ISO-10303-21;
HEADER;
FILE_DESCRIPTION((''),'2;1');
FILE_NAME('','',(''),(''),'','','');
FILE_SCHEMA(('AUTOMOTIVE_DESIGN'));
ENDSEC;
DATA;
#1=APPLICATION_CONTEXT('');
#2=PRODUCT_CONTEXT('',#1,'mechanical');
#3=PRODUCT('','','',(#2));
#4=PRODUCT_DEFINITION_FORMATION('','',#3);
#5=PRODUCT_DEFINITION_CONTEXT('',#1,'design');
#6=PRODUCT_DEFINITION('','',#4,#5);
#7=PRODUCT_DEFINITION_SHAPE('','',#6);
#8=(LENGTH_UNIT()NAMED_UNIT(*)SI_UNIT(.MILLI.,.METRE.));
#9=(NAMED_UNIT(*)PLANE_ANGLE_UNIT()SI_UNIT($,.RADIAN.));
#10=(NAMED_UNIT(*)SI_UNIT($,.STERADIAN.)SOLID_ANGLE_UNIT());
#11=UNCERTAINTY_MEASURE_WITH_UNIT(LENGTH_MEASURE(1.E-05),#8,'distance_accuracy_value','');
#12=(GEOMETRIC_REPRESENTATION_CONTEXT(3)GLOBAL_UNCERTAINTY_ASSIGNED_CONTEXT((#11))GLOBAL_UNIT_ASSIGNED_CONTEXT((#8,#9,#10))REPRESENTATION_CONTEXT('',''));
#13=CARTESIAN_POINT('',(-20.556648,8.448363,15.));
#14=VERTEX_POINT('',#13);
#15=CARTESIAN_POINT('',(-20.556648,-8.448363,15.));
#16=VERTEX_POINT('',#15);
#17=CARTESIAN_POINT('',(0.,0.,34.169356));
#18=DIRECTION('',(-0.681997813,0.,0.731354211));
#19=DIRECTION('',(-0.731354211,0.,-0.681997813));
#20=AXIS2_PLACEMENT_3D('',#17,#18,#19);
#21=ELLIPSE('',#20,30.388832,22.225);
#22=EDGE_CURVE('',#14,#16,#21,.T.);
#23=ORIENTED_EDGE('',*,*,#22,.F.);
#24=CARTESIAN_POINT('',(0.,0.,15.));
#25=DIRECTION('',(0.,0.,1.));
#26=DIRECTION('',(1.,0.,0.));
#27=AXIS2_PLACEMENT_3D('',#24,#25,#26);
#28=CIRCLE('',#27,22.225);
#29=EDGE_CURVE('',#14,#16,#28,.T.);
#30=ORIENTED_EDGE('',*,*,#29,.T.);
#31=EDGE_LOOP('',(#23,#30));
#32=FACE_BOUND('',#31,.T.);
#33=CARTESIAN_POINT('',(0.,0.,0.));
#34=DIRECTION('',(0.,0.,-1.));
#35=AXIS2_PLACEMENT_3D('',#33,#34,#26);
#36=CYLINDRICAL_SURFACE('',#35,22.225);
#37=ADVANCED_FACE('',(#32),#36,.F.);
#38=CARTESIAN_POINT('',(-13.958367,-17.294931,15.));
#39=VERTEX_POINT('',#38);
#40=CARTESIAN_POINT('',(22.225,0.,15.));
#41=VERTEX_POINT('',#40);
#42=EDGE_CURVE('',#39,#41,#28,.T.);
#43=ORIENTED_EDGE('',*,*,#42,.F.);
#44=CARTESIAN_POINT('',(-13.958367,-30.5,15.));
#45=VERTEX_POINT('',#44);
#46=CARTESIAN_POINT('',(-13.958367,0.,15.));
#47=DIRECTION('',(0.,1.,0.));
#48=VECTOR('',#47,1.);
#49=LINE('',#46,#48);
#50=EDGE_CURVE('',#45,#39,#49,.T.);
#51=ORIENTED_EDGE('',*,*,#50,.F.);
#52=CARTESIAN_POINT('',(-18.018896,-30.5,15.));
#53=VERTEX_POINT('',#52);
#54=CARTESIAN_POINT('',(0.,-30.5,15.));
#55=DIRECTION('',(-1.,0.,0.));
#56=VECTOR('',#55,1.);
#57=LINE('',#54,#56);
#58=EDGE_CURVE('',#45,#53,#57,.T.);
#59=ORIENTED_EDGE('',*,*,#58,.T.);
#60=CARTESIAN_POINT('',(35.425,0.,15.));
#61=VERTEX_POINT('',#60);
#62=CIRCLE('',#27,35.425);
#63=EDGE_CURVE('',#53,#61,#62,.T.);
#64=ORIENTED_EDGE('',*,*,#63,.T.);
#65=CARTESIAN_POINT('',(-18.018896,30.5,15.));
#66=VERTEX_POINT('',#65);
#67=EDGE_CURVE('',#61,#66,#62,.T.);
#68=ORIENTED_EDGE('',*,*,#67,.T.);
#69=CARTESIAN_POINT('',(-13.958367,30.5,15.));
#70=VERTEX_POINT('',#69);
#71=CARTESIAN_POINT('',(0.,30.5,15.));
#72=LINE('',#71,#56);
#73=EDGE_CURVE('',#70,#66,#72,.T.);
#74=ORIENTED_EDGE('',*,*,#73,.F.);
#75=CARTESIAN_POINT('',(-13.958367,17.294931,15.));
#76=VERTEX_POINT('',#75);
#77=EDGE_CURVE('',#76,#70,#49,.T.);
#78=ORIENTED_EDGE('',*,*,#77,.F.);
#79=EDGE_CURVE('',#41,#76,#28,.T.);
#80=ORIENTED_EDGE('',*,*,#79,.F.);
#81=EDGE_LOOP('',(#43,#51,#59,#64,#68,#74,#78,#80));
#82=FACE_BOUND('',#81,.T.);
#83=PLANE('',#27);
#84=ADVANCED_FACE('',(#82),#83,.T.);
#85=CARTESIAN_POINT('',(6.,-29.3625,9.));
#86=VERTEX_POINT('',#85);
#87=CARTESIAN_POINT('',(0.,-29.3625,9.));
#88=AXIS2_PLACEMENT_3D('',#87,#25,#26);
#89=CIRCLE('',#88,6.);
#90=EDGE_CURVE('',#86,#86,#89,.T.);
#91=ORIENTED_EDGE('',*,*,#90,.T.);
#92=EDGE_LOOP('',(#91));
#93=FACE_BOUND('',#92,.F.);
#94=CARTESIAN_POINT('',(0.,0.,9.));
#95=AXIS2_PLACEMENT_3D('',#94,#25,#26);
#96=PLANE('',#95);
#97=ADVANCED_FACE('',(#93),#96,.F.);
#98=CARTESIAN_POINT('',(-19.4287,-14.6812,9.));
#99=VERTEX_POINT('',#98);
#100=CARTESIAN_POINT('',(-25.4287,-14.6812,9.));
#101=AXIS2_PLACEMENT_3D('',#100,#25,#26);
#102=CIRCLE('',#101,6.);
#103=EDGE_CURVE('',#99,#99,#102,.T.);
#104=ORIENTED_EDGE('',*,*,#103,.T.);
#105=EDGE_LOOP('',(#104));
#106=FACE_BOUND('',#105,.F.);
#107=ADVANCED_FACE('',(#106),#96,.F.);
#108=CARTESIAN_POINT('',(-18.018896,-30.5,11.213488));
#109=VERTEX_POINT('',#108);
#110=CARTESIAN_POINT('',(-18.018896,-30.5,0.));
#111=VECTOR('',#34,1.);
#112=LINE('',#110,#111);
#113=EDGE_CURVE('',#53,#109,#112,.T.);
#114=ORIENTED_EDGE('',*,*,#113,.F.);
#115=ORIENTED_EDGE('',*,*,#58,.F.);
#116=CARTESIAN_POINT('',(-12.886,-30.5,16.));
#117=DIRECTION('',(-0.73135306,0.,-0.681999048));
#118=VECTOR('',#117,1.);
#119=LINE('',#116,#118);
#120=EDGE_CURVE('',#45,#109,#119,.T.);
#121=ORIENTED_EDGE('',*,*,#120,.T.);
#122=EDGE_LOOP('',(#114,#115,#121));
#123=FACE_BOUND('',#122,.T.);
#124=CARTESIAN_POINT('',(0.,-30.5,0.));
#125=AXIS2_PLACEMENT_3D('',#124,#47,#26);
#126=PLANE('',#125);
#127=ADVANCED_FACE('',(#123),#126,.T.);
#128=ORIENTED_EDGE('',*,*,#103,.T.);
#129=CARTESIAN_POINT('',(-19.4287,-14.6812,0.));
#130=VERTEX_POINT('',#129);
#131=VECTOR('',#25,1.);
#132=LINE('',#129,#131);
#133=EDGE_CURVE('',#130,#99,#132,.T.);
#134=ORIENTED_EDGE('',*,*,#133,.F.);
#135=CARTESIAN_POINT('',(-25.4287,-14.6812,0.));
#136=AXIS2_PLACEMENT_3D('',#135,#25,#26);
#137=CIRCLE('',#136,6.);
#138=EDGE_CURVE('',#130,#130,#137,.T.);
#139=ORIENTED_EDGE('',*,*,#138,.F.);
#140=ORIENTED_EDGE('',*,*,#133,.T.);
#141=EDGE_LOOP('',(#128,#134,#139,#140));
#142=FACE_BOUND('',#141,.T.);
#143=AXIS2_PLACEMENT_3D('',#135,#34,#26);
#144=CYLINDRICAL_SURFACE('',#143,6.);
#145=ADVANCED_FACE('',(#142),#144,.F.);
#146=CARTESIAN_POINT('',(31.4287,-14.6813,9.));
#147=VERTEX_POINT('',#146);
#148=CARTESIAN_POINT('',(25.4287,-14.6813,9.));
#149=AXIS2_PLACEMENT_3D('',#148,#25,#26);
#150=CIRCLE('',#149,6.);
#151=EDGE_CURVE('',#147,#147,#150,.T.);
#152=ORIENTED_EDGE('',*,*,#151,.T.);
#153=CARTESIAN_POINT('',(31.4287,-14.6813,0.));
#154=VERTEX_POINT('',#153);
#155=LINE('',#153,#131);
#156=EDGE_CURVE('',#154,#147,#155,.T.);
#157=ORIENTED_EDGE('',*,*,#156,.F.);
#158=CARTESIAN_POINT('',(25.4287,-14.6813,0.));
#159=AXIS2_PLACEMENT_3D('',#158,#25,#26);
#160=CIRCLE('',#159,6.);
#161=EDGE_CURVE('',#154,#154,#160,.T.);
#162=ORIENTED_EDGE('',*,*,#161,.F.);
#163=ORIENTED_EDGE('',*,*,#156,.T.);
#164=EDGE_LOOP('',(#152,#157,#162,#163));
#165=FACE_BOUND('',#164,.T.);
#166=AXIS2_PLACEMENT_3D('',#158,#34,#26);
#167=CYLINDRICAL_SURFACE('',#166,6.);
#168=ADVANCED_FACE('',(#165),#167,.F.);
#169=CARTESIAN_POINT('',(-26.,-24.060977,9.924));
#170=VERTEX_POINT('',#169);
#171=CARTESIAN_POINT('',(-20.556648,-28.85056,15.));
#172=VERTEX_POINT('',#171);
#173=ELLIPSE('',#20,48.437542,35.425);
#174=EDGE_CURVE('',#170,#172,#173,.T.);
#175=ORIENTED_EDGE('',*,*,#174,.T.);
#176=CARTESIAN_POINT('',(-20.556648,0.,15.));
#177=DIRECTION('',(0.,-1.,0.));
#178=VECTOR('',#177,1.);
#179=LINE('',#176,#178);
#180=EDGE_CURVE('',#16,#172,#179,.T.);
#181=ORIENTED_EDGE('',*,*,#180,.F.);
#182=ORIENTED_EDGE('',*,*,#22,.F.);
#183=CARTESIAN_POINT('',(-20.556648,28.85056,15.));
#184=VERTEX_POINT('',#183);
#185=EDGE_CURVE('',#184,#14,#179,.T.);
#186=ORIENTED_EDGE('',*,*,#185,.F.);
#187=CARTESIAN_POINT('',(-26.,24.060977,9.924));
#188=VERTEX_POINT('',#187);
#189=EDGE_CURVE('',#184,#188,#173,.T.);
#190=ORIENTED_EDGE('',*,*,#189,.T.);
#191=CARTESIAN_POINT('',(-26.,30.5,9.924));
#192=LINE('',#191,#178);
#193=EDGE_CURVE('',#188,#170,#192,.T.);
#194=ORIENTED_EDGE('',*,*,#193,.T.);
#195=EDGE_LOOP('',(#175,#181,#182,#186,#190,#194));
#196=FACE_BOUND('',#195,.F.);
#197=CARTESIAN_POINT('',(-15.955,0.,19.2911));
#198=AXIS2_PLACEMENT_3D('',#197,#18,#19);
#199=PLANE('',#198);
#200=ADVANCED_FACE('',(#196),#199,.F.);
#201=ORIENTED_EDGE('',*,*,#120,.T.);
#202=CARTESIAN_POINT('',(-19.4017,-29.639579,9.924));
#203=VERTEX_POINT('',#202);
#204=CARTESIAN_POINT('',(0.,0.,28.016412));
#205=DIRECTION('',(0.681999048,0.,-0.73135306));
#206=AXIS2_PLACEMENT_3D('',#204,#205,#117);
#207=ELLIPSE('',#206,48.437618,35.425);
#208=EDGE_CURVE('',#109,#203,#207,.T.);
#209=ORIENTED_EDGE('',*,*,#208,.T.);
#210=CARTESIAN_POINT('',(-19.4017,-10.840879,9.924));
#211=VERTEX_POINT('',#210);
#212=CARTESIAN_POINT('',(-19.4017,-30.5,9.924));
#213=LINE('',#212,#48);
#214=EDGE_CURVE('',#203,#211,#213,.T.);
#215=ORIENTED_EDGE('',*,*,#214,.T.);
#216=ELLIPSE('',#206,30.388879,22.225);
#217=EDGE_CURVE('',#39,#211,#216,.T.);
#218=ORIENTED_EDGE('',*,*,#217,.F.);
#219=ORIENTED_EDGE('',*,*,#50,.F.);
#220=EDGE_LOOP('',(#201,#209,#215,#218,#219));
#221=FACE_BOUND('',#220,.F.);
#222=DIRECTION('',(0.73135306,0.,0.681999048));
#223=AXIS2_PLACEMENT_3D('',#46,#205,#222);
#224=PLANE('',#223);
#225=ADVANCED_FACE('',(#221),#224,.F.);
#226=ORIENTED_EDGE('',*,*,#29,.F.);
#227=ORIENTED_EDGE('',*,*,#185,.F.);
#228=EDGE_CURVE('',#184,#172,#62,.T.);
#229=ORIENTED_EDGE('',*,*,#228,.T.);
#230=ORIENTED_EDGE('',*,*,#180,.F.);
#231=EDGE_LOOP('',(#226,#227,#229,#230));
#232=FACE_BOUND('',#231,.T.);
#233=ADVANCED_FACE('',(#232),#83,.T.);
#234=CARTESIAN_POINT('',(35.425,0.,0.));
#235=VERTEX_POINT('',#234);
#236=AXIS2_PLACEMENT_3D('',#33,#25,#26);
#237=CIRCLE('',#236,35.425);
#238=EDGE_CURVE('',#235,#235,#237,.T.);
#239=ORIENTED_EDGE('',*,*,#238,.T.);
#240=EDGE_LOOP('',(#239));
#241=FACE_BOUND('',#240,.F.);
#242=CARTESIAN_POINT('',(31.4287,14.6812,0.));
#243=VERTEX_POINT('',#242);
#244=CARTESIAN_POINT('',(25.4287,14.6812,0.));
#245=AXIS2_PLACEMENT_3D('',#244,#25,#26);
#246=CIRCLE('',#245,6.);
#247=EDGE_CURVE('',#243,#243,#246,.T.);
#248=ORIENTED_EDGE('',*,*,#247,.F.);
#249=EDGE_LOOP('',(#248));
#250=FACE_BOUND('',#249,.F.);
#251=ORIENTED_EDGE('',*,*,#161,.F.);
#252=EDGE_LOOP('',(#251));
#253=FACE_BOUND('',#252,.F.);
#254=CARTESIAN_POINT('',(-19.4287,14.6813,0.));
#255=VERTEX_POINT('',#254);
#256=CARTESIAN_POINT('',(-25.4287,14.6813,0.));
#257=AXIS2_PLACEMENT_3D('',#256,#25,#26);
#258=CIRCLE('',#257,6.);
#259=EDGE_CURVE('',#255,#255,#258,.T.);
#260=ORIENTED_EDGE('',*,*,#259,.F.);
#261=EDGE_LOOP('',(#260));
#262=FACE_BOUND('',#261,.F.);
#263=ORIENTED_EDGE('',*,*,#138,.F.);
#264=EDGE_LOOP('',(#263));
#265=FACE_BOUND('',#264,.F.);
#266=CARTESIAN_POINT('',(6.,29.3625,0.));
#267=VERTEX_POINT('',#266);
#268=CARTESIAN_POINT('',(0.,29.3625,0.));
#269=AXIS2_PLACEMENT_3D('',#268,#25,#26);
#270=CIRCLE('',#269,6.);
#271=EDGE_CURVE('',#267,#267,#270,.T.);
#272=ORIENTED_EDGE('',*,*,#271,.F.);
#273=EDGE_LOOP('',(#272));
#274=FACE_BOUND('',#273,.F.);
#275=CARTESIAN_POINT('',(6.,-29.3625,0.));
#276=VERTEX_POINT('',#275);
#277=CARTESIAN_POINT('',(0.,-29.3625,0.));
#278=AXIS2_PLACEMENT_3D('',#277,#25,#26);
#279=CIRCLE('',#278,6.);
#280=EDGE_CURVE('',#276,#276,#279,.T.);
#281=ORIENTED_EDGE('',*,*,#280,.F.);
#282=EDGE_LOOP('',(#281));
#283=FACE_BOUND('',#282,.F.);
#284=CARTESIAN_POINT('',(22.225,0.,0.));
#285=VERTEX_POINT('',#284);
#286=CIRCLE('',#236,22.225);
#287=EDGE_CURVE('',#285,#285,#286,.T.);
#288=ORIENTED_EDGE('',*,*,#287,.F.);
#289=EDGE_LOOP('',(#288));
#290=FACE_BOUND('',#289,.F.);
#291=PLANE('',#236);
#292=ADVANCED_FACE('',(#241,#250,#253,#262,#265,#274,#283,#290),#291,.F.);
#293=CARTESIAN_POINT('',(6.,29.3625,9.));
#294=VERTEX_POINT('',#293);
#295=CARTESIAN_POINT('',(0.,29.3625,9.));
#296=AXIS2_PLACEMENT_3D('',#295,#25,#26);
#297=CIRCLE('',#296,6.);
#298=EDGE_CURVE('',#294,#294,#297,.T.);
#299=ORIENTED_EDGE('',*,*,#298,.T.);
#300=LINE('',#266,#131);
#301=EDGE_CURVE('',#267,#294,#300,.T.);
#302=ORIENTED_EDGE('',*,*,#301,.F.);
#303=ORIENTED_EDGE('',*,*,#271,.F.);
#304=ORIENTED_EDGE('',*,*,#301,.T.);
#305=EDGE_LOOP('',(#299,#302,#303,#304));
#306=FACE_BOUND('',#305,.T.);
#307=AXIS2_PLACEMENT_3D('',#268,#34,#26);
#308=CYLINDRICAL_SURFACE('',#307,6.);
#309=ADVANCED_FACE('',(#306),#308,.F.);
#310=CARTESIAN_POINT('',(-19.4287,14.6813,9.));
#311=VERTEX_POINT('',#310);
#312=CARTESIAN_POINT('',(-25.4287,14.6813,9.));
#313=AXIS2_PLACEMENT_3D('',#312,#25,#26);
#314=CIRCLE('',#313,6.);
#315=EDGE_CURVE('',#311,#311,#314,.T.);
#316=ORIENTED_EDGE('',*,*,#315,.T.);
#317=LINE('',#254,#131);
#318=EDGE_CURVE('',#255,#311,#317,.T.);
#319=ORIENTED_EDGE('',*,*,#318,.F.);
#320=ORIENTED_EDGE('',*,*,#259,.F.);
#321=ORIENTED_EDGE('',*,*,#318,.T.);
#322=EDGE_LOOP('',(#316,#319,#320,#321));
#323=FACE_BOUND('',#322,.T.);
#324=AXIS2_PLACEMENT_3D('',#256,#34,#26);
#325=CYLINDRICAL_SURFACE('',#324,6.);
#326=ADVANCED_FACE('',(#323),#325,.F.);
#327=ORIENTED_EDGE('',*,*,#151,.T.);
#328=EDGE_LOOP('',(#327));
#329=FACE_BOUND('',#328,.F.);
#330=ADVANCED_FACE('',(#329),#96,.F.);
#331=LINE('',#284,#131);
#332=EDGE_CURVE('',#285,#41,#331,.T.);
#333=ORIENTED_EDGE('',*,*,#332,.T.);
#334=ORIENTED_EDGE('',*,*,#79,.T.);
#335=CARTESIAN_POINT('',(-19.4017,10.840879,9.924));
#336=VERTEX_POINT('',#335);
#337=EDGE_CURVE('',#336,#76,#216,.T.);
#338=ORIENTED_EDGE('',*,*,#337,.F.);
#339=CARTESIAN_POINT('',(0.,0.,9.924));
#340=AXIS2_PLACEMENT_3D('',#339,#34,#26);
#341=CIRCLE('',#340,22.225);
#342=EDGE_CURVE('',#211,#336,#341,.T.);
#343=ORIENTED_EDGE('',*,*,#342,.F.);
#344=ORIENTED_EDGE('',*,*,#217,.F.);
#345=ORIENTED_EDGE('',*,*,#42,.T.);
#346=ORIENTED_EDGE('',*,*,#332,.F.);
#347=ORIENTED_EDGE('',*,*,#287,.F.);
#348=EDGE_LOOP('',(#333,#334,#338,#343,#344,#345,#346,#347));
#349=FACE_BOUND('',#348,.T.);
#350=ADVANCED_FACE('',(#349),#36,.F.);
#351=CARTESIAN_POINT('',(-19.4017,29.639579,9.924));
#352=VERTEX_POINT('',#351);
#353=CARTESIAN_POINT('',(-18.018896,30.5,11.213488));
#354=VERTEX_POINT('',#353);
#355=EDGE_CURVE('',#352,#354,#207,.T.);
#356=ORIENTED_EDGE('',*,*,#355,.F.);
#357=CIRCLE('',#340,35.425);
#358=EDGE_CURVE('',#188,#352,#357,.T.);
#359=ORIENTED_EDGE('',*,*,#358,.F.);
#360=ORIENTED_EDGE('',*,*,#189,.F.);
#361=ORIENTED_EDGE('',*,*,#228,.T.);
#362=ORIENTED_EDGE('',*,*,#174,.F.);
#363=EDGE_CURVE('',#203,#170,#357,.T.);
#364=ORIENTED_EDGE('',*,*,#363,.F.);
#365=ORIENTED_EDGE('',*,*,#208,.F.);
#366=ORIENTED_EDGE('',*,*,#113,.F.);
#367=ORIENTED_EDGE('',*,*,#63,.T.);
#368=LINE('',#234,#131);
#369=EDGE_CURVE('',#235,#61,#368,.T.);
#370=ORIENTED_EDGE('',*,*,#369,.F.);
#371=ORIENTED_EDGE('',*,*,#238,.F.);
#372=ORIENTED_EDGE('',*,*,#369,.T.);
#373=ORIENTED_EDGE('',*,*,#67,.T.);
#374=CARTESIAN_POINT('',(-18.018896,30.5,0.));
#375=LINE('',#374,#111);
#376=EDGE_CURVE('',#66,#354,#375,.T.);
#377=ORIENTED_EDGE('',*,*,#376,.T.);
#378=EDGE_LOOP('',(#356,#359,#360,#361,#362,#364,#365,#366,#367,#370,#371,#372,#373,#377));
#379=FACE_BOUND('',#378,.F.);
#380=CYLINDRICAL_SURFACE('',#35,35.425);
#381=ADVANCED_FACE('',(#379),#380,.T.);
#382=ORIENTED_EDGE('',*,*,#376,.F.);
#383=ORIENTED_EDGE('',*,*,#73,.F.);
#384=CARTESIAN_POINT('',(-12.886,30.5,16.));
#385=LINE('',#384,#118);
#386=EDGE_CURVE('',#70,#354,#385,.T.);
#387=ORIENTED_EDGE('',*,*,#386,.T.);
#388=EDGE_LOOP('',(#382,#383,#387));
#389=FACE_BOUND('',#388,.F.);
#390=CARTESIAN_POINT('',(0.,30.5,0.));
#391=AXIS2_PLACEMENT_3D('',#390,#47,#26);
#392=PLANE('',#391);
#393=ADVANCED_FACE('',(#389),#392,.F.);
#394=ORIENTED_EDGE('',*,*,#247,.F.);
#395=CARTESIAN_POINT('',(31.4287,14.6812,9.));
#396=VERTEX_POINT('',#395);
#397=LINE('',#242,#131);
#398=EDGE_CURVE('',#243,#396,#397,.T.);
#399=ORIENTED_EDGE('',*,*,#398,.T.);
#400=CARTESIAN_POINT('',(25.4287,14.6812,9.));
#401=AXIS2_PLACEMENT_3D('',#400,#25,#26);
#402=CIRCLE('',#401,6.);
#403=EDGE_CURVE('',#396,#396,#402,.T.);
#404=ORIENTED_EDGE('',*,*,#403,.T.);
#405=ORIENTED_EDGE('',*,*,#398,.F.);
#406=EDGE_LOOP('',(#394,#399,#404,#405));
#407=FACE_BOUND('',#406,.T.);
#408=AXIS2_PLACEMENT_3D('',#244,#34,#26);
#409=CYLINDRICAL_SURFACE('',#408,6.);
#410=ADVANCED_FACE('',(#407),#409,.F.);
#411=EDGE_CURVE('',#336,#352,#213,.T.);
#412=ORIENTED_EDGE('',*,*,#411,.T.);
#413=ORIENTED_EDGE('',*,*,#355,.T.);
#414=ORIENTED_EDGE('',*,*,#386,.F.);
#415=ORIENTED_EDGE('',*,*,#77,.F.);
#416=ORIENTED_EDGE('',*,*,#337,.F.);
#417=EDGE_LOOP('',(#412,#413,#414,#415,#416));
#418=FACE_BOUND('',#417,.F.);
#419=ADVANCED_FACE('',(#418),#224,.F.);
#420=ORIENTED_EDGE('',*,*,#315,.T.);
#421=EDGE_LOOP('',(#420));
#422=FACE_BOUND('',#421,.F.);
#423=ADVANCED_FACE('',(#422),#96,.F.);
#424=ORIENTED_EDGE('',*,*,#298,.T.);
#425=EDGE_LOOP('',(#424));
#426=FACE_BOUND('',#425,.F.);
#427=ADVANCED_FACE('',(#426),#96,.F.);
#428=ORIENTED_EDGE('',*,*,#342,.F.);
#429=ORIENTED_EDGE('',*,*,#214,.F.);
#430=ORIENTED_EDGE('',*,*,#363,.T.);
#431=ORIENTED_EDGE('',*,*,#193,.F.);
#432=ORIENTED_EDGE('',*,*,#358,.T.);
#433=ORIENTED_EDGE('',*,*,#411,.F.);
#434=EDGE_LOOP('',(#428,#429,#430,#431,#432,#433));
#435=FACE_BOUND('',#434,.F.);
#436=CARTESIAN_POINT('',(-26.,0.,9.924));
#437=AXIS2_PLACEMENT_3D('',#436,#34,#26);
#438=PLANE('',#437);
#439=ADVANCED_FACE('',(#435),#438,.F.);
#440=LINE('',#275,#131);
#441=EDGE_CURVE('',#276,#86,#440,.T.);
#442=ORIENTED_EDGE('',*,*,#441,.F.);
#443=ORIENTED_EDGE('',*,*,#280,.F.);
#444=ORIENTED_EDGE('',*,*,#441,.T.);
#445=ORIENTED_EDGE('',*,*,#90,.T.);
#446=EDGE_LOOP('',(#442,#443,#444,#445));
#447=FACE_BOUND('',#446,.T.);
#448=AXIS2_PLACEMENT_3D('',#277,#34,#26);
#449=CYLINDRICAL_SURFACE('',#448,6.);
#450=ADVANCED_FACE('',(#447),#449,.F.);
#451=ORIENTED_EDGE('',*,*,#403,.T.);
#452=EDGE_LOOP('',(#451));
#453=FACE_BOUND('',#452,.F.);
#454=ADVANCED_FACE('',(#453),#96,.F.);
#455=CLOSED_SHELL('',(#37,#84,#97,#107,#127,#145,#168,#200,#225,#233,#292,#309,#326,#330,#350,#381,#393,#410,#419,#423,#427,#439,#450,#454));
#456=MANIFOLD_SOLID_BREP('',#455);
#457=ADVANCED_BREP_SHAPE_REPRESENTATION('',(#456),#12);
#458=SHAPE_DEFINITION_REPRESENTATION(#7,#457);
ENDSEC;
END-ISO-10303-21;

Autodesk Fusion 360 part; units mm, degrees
sketch "Sketch1" plane through (0, 0, 0) normal (0, 0, 1) x (1, 0, 0)
  circle A0 centre (0, 0) radius 22.225
  circle A1 centre (0, 0) radius 35.425
  circle A2 centre (0, 29.3625) radius 6
  circle A3 centre (-25.4287, 14.6813) radius 6
  circle A4 centre (-25.4287, -14.6812) radius 6
  circle A5 centre (0, -29.3625) radius 6
  circle A6 centre (25.4287, -14.6813) radius 6
  circle A7 centre (25.4287, 14.6812) radius 6
  dimension "d1" = 44.45
  dimension "d2" = 70.85
  dimension "d3" = 12
  dimension "d4" = 29.3625
  dimension "d6" = 360
extrude "Extrude1" add sketch "Sketch1" along normal blind 15 contours A1 | A2 | A3 | A4 | A5 | A6 | A7 makes body 1
extrude "Extrude2" cut sketch "Sketch1" along normal blind 9 contours A2 | A3 | A4 | A5 | A6 | A7 bodies 1
sketch "Sketch2" plane through (0, 0, 0) normal (0, 1, 0) x (1, 0, 0)
  line L0 (-15.955, -19.2911) -> (-26, -9.924)
  line L1 (-26, -9.924) -> (-19.4017, -9.924)
  line L2 (-19.4017, -9.924) -> (-12.886, -16)
  line L3 (-12.886, -16) -> (-15.955, -19.2911)
  line L4 (0, 0) -> (0, -30.1801) construction
  line L5 (-35.425, -15) -> (35.425, -15)
  dimension "d11" = 47
  dimension "d12" = 4.5
  dimension "d13" = 5.076
  dimension "d14" = 26
  dimension "d15" = 1
extrude "Extrude3" cut sketch "Sketch2" along normal mid plane 61 bodies 1
copy_body "Body->Comp1" bodies 1 removing the originals makes body 2 in component "Component"
sketch "Sketch3" plane through (0, 0, 0) normal (0, 1, 0) x (1, 0, 0)
  line L0 (0, -15) -> (50, -4)
  line L1 (50, -4) -> (50, -15)
  line L2 (0, -15) -> (50, -15)
  line L3 (-18.0189, -15) -> (35.425, -15)
  dimension "d19" = 50
  dimension "d25" = 11
component "Component" placed x (1, 0, 0) y (0, 1, 0) z (0, 0, 1) at (0, 0, 0)
